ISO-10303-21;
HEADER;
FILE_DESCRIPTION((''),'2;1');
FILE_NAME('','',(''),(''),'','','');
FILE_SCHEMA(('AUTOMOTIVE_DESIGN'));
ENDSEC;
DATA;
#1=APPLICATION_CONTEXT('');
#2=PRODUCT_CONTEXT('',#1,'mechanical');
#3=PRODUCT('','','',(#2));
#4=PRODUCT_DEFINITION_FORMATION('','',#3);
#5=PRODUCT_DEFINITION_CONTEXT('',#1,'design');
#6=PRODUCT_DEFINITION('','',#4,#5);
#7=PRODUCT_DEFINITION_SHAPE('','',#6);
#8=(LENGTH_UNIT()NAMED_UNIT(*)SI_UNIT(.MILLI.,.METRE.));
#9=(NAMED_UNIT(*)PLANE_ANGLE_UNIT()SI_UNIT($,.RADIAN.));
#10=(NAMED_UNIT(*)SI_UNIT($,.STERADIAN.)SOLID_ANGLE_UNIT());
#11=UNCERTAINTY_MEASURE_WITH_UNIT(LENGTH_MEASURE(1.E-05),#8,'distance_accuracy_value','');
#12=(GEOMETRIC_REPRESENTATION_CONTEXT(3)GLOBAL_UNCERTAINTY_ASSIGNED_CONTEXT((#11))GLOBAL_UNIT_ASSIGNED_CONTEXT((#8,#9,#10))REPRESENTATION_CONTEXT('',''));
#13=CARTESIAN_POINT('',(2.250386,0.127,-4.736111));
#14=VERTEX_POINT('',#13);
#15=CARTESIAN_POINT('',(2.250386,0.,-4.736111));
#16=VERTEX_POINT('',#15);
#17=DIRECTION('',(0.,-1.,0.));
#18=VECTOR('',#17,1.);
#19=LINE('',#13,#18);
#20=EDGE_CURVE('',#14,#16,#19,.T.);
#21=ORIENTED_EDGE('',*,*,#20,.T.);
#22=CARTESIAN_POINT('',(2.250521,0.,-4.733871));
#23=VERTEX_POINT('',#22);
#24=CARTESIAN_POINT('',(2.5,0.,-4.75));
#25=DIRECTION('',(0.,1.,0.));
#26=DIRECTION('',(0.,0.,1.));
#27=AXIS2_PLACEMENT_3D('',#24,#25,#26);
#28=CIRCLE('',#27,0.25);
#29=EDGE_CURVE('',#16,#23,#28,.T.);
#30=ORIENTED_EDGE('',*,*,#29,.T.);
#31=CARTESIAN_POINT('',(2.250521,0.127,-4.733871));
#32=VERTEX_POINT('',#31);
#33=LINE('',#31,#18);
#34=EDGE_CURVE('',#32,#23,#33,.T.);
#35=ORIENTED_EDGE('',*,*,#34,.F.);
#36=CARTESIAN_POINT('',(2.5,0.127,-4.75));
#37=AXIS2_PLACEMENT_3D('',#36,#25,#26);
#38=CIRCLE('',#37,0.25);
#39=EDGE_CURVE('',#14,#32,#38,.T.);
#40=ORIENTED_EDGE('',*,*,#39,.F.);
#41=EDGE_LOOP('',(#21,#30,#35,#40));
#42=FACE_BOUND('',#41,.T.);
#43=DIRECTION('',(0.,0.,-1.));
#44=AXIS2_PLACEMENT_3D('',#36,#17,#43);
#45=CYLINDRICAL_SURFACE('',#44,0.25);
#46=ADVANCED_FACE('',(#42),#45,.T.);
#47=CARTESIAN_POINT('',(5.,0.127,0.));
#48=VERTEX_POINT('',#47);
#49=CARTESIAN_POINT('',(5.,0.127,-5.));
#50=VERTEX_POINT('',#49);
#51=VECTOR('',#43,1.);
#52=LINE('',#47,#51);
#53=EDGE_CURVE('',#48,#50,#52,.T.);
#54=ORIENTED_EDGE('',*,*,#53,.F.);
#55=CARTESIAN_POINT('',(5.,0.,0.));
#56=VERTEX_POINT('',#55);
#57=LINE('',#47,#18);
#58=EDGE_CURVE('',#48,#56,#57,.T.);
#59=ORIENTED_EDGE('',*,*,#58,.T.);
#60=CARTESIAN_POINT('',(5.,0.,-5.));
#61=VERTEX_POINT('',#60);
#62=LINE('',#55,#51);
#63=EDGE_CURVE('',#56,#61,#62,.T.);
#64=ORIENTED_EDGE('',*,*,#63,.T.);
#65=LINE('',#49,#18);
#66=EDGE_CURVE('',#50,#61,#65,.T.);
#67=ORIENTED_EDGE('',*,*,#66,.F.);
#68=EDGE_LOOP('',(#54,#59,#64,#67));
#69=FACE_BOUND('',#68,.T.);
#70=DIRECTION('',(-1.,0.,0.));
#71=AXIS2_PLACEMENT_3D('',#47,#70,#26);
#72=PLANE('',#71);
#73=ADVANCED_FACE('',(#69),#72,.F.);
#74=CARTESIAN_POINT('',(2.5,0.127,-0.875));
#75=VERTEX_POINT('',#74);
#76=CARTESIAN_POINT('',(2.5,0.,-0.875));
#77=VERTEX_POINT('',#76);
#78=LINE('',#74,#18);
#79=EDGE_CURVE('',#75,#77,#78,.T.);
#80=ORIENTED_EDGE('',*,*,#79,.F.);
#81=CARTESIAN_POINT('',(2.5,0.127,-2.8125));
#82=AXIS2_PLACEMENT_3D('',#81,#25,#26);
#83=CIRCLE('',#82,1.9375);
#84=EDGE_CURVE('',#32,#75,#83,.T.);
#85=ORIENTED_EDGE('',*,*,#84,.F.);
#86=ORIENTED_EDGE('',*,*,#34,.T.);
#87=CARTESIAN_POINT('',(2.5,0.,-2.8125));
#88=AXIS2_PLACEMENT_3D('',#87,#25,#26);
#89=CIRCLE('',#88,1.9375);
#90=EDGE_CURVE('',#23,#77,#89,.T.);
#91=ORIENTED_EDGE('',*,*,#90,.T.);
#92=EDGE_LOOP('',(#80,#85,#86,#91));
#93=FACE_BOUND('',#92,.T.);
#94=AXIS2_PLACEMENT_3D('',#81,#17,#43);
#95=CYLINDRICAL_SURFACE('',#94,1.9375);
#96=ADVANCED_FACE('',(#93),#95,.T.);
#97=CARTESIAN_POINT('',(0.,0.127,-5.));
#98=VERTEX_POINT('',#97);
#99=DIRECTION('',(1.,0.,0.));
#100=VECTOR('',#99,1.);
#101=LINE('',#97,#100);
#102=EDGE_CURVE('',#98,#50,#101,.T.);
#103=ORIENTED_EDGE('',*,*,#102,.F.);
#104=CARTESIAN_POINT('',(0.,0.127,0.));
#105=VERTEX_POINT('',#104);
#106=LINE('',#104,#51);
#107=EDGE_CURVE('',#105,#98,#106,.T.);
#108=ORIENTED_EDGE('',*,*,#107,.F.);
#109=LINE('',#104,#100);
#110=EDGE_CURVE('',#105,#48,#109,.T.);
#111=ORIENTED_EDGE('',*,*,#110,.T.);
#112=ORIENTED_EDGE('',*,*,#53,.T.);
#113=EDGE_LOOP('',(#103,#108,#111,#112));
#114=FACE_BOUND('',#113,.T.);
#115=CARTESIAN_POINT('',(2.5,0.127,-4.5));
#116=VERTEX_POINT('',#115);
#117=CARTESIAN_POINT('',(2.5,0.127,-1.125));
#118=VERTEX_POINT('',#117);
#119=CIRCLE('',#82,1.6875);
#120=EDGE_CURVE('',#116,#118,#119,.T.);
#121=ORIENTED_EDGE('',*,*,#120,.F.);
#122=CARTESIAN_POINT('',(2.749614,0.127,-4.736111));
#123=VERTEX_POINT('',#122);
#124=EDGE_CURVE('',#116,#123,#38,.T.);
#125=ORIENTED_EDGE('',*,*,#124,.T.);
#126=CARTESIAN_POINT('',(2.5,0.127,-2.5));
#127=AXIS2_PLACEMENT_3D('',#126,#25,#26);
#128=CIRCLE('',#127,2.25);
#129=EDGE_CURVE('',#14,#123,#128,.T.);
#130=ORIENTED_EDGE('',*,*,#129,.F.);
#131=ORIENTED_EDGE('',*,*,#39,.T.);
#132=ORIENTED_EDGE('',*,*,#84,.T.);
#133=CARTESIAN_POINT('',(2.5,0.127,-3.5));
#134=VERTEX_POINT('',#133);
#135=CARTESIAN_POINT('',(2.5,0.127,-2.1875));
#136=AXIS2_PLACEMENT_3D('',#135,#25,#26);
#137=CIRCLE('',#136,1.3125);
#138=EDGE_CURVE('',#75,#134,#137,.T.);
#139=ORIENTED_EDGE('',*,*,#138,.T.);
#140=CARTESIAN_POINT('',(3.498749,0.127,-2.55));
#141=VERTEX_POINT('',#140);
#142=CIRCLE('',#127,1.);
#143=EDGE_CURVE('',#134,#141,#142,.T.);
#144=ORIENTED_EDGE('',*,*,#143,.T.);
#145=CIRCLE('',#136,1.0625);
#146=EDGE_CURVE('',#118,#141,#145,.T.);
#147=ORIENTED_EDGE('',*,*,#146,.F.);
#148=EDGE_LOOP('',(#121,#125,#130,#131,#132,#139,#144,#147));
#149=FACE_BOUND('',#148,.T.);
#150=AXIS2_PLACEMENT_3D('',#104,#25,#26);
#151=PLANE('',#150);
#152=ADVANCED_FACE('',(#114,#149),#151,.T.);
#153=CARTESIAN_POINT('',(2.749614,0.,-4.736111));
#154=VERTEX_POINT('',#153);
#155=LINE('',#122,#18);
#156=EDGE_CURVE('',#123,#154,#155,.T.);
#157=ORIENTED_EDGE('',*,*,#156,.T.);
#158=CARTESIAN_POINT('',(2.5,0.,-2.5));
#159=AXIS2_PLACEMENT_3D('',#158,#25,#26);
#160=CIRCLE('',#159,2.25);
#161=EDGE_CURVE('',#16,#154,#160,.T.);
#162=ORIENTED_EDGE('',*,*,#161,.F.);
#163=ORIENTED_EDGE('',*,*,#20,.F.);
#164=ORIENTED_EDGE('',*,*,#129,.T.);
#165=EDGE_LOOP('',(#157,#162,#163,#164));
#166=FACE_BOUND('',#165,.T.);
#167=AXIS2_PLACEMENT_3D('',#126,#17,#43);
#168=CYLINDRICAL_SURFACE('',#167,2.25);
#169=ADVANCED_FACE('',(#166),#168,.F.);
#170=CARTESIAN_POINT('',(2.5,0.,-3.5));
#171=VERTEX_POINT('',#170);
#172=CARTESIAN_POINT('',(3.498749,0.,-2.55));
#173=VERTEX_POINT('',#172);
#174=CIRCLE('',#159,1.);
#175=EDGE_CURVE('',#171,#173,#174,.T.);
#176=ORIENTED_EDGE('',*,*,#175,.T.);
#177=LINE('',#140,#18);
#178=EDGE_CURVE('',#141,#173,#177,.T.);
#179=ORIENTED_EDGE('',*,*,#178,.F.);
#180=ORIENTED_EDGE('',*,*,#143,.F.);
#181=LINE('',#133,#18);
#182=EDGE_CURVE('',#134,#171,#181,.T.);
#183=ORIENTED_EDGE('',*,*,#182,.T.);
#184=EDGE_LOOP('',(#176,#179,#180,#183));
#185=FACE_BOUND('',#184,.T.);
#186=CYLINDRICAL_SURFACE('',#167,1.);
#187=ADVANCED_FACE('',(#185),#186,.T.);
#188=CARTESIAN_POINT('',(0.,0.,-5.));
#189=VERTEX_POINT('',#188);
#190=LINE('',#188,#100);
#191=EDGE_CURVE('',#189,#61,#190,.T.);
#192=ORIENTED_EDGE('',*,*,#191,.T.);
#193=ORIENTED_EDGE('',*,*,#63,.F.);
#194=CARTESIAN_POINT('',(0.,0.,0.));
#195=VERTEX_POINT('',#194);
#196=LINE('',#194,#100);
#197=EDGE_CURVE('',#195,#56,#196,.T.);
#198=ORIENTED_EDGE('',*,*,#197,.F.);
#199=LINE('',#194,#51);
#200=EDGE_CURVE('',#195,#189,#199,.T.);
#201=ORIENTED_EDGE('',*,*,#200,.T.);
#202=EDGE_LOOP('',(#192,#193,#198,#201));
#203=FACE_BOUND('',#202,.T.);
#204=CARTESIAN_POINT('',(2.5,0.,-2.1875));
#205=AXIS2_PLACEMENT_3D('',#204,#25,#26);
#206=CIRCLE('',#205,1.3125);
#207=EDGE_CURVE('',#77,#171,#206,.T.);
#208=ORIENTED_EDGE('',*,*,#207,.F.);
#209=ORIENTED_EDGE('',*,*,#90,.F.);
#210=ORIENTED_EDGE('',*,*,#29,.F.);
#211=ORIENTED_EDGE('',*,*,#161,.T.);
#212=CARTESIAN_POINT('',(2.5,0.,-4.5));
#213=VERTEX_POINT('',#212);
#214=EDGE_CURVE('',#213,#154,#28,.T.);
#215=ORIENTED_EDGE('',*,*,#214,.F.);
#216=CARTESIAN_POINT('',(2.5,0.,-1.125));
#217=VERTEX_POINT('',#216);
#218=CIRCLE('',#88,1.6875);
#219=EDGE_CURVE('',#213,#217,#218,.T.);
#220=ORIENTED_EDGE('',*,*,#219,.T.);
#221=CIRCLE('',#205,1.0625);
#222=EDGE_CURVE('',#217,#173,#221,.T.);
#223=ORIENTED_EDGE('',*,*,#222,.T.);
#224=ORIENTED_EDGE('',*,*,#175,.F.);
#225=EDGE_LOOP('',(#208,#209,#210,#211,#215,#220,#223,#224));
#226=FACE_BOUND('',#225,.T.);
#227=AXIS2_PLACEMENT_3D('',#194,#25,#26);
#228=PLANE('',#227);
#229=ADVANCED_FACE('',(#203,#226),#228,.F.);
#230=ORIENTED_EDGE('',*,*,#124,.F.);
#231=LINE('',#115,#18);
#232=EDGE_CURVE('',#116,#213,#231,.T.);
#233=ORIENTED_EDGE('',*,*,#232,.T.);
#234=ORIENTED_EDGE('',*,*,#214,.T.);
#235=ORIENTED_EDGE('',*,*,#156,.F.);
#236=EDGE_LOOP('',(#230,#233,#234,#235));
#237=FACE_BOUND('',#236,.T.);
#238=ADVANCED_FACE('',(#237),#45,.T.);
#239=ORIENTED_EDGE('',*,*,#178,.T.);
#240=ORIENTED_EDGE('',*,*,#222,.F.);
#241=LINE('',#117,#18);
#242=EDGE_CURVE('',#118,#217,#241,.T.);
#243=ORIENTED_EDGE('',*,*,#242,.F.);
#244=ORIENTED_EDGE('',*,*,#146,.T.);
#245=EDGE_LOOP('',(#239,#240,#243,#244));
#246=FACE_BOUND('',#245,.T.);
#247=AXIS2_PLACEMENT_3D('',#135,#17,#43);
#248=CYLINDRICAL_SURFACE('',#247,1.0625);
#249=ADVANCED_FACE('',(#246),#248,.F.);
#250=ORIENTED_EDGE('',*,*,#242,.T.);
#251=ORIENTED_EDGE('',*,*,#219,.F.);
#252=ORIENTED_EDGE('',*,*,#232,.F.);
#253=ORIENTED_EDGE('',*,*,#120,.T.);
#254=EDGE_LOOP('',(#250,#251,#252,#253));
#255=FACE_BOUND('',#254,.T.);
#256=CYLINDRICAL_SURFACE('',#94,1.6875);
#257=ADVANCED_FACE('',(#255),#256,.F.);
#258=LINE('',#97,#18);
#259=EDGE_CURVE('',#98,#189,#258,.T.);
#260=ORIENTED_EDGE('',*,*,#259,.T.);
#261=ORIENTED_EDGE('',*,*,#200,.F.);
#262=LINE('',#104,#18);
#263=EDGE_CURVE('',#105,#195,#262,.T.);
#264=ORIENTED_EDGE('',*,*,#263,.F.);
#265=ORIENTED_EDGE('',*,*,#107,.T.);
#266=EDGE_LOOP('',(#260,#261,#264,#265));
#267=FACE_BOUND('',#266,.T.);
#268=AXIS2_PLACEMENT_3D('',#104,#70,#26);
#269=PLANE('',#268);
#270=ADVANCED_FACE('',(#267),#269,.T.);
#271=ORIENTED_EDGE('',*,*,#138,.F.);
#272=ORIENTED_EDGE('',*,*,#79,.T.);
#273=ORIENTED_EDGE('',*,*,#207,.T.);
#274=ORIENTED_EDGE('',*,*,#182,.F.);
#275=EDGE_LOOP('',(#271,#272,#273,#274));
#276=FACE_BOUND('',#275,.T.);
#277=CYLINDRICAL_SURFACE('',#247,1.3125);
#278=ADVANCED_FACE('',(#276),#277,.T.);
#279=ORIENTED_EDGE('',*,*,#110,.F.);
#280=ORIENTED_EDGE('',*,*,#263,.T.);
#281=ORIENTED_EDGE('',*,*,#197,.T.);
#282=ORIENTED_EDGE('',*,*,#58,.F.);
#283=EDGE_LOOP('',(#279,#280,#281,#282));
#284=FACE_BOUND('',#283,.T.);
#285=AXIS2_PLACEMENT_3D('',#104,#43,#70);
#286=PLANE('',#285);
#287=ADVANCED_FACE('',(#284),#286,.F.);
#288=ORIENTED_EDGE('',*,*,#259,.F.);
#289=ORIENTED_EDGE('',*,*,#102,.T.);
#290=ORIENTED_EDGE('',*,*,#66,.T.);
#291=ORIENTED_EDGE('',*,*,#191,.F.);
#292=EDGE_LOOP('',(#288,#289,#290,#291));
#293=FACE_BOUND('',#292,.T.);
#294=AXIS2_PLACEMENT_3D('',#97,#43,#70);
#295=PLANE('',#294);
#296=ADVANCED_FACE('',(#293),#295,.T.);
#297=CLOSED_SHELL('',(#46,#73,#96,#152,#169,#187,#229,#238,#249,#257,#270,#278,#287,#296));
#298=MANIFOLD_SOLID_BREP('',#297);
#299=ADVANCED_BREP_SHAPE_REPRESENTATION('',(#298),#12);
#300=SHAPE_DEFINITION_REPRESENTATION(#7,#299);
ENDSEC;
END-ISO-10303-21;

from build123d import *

# Parameters (mm, degrees)
SKETCH1_W           = 5
SKETCH1_H           = 5
BOSS_EXTRUDE1_DEPTH = 0.127


with BuildPart() as part:
    # Sketch1 → Boss-Extrude1 (new body)
    with BuildSketch(Plane(origin=(0, 0, 0), x_dir=(1, 0, 0), z_dir=(0, 1, 0))):
        with Locations((2.5, 2.5)):
            Rectangle(SKETCH1_W, SKETCH1_H)
        with BuildLine():
            ThreePointArc((2.749613899, 4.736111111), (2.5, 0.25), (2.250386101, 4.736111111))
            ThreePointArc((2.250386101, 4.736111111), (2.250450954, 4.734990888), (2.250520834, 4.733870968))
            ThreePointArc((2.250520834, 4.733870968), (0.566536463, 2.6875), (2.5, 0.875))
            ThreePointArc((2.5, 0.875), (3.8125, 2.1875), (2.5, 3.5))
            ThreePointArc((2.5, 3.5), (1.810797562, 1.775431163), (3.498749218, 2.55))
            ThreePointArc((3.498749218, 2.55), (3.370075428, 1.577684454), (2.5, 1.125))
            ThreePointArc((2.5, 1.125), (0.8125, 2.8125), (2.5, 4.5))
            ThreePointArc((2.5, 4.5), (2.671796068, 4.568379211), (2.749613899, 4.736111111))
        make_face(mode=Mode.SUBTRACT)
    extrude(amount=BOSS_EXTRUDE1_DEPTH)


solid = part.part
